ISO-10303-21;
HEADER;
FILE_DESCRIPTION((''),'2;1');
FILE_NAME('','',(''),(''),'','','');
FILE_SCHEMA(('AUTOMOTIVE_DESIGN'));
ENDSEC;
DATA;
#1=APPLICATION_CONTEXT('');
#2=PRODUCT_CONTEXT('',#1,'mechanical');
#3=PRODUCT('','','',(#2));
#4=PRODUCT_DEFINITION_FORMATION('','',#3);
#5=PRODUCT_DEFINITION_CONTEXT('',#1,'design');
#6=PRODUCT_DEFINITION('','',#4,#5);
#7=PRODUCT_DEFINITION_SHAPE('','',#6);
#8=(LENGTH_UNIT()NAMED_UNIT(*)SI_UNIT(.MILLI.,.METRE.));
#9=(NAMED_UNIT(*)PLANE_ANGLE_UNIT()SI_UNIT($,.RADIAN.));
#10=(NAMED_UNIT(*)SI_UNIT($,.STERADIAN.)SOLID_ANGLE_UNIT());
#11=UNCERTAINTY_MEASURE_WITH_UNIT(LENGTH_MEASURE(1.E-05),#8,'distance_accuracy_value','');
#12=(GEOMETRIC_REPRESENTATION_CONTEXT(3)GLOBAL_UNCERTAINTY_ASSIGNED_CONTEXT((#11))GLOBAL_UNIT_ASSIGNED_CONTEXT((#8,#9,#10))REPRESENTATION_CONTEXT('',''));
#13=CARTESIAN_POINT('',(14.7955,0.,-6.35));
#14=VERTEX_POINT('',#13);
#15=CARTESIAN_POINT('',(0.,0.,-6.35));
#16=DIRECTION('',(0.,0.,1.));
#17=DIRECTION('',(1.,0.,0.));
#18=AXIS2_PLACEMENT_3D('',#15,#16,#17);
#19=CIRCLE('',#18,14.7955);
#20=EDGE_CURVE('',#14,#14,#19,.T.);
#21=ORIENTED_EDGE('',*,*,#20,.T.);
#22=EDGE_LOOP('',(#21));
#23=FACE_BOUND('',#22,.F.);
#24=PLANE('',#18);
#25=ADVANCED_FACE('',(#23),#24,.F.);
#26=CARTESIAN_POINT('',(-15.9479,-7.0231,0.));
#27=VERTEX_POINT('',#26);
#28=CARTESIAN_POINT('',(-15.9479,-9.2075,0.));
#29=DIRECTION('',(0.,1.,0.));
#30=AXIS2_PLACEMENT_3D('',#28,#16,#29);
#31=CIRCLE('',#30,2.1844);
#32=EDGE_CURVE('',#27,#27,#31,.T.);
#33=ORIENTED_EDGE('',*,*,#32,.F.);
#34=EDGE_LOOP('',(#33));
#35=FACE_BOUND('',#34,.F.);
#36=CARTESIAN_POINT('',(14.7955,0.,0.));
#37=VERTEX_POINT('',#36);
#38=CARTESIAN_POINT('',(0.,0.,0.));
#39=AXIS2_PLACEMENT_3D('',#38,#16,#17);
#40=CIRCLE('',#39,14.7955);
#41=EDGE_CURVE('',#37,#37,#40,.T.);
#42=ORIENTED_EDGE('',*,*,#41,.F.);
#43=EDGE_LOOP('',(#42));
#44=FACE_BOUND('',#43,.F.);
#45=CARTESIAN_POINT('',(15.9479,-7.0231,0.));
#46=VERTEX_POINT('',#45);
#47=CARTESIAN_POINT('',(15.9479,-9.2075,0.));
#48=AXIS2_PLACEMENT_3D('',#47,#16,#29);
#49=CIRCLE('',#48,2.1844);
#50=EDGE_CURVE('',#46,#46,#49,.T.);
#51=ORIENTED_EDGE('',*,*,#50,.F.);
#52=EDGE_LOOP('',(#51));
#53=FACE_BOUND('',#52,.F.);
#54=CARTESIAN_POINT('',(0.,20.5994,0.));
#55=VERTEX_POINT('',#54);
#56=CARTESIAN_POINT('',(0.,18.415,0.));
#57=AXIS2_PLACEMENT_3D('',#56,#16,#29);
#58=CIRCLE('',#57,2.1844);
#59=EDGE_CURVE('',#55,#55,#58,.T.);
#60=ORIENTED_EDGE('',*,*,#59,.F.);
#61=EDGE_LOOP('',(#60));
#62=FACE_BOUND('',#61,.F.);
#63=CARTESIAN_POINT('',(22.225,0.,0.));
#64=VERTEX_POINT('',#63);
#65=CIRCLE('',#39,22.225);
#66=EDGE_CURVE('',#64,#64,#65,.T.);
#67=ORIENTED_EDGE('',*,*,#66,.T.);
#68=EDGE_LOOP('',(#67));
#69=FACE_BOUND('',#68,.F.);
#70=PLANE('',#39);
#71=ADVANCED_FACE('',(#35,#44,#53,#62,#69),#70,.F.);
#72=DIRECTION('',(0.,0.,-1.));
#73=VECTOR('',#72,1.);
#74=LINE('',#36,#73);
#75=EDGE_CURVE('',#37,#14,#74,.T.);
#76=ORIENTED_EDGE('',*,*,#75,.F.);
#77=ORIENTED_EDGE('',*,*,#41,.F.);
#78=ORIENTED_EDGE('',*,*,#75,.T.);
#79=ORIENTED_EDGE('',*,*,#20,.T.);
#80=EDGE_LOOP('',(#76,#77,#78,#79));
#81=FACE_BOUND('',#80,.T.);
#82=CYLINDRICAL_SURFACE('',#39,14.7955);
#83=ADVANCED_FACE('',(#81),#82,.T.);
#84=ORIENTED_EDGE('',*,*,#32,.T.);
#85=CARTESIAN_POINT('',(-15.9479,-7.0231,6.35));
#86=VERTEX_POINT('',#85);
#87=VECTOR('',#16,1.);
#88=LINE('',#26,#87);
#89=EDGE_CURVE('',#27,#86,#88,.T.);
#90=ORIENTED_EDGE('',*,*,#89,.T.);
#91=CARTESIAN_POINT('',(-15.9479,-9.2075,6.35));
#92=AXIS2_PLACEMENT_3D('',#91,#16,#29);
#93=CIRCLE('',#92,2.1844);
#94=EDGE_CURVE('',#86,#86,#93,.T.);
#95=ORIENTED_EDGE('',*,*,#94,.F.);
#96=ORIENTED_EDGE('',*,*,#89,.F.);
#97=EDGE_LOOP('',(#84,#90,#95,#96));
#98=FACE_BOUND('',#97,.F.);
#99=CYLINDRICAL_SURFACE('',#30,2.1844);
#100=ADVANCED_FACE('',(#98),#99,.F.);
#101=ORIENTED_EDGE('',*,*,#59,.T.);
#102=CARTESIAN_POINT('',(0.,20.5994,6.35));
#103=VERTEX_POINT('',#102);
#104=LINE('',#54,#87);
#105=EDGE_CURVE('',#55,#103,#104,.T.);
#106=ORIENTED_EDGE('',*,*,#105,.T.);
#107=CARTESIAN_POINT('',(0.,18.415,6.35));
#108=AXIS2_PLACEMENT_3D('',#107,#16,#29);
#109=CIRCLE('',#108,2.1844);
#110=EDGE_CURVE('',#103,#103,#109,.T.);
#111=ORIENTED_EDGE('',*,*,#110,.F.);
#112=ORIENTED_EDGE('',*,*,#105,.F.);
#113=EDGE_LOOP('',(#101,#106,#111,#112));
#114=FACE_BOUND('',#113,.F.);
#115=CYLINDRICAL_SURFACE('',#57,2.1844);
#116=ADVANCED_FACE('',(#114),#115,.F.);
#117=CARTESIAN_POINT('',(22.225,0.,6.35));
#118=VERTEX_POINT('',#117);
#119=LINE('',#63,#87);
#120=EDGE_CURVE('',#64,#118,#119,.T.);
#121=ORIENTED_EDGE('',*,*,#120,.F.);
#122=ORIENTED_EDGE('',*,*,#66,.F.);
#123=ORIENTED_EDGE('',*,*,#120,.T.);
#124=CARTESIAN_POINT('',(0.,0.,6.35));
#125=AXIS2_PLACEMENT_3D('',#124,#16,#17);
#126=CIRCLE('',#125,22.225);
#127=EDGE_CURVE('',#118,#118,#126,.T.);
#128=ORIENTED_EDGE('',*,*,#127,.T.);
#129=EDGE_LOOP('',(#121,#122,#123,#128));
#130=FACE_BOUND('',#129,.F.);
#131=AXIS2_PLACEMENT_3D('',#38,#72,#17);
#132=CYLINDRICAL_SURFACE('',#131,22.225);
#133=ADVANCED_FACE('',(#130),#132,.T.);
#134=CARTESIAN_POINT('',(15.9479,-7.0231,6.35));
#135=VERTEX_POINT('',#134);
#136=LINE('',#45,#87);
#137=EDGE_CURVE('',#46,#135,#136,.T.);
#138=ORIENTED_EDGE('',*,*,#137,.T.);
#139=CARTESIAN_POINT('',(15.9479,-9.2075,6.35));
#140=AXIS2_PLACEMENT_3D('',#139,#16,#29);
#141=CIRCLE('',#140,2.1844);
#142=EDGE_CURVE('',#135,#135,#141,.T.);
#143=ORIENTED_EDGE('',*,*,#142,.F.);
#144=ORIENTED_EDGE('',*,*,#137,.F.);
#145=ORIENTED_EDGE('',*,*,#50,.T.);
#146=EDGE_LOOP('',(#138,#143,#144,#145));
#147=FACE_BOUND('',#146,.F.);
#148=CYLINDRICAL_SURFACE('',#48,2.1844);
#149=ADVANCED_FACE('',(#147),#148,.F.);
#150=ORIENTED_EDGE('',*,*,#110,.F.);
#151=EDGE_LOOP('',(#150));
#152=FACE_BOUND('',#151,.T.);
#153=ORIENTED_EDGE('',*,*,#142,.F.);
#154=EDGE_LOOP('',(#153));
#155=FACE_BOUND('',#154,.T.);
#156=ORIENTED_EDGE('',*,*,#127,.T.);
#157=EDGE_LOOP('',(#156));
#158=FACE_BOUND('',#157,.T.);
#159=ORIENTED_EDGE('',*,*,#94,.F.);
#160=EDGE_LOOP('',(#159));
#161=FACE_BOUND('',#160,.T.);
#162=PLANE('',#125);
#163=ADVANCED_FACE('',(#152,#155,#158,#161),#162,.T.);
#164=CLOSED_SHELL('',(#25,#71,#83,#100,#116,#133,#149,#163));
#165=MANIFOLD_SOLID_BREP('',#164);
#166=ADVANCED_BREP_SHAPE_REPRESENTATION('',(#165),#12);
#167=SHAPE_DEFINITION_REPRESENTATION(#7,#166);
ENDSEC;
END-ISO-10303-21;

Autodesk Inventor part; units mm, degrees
ref_plane "YZ Plane" through (0, 0, 0) normal (1, 0, 0) x (0, 1, 0)
ref_plane "XZ Plane" through (0, 0, 0) normal (0, 1, 0) x (-1, 0, 0)
ref_plane "XY Plane" through (0, 0, 0) normal (0, 0, 1) x (1, 0, 0)
sketch "Sketch1" plane through (0, 0, 0) normal (0, 0, 1) x (1, 0, 0)
  circle A0 centre (0, 0) radius 22.225
  circle A1 centre (0, 0) radius 18.415 construction
  circle A2 centre (0, 0) radius 18.415 construction
  circle A3 centre (0, 0) radius 18.415 construction
  circle A4 centre (0, 0) radius 14.7955
  point P0 (0, 18.415)
  point P1 (-15.9479, -9.2075)
  point P2 (15.9479, -9.2075)
  dimension "d1" = 36.83
  dimension "d0" = 44.45
  dimension "d4" = 360
  dimension "d16" = 29.591
extrude "Extrusion1" add sketch "Sketch1" along normal blind 6.35 contours A0 | A4
hole "Hole1" at (15.9479, -9.2075, 0) at (0, 18.415, 0) at (-15.9479, -9.2075, 0) direction (0, 0, 1) diameter 4.3688 end through all
extrude "Extrusion2" add sketch "Sketch1" against normal blind 6.35 contours A4
properties part number "AW7.1 6"
